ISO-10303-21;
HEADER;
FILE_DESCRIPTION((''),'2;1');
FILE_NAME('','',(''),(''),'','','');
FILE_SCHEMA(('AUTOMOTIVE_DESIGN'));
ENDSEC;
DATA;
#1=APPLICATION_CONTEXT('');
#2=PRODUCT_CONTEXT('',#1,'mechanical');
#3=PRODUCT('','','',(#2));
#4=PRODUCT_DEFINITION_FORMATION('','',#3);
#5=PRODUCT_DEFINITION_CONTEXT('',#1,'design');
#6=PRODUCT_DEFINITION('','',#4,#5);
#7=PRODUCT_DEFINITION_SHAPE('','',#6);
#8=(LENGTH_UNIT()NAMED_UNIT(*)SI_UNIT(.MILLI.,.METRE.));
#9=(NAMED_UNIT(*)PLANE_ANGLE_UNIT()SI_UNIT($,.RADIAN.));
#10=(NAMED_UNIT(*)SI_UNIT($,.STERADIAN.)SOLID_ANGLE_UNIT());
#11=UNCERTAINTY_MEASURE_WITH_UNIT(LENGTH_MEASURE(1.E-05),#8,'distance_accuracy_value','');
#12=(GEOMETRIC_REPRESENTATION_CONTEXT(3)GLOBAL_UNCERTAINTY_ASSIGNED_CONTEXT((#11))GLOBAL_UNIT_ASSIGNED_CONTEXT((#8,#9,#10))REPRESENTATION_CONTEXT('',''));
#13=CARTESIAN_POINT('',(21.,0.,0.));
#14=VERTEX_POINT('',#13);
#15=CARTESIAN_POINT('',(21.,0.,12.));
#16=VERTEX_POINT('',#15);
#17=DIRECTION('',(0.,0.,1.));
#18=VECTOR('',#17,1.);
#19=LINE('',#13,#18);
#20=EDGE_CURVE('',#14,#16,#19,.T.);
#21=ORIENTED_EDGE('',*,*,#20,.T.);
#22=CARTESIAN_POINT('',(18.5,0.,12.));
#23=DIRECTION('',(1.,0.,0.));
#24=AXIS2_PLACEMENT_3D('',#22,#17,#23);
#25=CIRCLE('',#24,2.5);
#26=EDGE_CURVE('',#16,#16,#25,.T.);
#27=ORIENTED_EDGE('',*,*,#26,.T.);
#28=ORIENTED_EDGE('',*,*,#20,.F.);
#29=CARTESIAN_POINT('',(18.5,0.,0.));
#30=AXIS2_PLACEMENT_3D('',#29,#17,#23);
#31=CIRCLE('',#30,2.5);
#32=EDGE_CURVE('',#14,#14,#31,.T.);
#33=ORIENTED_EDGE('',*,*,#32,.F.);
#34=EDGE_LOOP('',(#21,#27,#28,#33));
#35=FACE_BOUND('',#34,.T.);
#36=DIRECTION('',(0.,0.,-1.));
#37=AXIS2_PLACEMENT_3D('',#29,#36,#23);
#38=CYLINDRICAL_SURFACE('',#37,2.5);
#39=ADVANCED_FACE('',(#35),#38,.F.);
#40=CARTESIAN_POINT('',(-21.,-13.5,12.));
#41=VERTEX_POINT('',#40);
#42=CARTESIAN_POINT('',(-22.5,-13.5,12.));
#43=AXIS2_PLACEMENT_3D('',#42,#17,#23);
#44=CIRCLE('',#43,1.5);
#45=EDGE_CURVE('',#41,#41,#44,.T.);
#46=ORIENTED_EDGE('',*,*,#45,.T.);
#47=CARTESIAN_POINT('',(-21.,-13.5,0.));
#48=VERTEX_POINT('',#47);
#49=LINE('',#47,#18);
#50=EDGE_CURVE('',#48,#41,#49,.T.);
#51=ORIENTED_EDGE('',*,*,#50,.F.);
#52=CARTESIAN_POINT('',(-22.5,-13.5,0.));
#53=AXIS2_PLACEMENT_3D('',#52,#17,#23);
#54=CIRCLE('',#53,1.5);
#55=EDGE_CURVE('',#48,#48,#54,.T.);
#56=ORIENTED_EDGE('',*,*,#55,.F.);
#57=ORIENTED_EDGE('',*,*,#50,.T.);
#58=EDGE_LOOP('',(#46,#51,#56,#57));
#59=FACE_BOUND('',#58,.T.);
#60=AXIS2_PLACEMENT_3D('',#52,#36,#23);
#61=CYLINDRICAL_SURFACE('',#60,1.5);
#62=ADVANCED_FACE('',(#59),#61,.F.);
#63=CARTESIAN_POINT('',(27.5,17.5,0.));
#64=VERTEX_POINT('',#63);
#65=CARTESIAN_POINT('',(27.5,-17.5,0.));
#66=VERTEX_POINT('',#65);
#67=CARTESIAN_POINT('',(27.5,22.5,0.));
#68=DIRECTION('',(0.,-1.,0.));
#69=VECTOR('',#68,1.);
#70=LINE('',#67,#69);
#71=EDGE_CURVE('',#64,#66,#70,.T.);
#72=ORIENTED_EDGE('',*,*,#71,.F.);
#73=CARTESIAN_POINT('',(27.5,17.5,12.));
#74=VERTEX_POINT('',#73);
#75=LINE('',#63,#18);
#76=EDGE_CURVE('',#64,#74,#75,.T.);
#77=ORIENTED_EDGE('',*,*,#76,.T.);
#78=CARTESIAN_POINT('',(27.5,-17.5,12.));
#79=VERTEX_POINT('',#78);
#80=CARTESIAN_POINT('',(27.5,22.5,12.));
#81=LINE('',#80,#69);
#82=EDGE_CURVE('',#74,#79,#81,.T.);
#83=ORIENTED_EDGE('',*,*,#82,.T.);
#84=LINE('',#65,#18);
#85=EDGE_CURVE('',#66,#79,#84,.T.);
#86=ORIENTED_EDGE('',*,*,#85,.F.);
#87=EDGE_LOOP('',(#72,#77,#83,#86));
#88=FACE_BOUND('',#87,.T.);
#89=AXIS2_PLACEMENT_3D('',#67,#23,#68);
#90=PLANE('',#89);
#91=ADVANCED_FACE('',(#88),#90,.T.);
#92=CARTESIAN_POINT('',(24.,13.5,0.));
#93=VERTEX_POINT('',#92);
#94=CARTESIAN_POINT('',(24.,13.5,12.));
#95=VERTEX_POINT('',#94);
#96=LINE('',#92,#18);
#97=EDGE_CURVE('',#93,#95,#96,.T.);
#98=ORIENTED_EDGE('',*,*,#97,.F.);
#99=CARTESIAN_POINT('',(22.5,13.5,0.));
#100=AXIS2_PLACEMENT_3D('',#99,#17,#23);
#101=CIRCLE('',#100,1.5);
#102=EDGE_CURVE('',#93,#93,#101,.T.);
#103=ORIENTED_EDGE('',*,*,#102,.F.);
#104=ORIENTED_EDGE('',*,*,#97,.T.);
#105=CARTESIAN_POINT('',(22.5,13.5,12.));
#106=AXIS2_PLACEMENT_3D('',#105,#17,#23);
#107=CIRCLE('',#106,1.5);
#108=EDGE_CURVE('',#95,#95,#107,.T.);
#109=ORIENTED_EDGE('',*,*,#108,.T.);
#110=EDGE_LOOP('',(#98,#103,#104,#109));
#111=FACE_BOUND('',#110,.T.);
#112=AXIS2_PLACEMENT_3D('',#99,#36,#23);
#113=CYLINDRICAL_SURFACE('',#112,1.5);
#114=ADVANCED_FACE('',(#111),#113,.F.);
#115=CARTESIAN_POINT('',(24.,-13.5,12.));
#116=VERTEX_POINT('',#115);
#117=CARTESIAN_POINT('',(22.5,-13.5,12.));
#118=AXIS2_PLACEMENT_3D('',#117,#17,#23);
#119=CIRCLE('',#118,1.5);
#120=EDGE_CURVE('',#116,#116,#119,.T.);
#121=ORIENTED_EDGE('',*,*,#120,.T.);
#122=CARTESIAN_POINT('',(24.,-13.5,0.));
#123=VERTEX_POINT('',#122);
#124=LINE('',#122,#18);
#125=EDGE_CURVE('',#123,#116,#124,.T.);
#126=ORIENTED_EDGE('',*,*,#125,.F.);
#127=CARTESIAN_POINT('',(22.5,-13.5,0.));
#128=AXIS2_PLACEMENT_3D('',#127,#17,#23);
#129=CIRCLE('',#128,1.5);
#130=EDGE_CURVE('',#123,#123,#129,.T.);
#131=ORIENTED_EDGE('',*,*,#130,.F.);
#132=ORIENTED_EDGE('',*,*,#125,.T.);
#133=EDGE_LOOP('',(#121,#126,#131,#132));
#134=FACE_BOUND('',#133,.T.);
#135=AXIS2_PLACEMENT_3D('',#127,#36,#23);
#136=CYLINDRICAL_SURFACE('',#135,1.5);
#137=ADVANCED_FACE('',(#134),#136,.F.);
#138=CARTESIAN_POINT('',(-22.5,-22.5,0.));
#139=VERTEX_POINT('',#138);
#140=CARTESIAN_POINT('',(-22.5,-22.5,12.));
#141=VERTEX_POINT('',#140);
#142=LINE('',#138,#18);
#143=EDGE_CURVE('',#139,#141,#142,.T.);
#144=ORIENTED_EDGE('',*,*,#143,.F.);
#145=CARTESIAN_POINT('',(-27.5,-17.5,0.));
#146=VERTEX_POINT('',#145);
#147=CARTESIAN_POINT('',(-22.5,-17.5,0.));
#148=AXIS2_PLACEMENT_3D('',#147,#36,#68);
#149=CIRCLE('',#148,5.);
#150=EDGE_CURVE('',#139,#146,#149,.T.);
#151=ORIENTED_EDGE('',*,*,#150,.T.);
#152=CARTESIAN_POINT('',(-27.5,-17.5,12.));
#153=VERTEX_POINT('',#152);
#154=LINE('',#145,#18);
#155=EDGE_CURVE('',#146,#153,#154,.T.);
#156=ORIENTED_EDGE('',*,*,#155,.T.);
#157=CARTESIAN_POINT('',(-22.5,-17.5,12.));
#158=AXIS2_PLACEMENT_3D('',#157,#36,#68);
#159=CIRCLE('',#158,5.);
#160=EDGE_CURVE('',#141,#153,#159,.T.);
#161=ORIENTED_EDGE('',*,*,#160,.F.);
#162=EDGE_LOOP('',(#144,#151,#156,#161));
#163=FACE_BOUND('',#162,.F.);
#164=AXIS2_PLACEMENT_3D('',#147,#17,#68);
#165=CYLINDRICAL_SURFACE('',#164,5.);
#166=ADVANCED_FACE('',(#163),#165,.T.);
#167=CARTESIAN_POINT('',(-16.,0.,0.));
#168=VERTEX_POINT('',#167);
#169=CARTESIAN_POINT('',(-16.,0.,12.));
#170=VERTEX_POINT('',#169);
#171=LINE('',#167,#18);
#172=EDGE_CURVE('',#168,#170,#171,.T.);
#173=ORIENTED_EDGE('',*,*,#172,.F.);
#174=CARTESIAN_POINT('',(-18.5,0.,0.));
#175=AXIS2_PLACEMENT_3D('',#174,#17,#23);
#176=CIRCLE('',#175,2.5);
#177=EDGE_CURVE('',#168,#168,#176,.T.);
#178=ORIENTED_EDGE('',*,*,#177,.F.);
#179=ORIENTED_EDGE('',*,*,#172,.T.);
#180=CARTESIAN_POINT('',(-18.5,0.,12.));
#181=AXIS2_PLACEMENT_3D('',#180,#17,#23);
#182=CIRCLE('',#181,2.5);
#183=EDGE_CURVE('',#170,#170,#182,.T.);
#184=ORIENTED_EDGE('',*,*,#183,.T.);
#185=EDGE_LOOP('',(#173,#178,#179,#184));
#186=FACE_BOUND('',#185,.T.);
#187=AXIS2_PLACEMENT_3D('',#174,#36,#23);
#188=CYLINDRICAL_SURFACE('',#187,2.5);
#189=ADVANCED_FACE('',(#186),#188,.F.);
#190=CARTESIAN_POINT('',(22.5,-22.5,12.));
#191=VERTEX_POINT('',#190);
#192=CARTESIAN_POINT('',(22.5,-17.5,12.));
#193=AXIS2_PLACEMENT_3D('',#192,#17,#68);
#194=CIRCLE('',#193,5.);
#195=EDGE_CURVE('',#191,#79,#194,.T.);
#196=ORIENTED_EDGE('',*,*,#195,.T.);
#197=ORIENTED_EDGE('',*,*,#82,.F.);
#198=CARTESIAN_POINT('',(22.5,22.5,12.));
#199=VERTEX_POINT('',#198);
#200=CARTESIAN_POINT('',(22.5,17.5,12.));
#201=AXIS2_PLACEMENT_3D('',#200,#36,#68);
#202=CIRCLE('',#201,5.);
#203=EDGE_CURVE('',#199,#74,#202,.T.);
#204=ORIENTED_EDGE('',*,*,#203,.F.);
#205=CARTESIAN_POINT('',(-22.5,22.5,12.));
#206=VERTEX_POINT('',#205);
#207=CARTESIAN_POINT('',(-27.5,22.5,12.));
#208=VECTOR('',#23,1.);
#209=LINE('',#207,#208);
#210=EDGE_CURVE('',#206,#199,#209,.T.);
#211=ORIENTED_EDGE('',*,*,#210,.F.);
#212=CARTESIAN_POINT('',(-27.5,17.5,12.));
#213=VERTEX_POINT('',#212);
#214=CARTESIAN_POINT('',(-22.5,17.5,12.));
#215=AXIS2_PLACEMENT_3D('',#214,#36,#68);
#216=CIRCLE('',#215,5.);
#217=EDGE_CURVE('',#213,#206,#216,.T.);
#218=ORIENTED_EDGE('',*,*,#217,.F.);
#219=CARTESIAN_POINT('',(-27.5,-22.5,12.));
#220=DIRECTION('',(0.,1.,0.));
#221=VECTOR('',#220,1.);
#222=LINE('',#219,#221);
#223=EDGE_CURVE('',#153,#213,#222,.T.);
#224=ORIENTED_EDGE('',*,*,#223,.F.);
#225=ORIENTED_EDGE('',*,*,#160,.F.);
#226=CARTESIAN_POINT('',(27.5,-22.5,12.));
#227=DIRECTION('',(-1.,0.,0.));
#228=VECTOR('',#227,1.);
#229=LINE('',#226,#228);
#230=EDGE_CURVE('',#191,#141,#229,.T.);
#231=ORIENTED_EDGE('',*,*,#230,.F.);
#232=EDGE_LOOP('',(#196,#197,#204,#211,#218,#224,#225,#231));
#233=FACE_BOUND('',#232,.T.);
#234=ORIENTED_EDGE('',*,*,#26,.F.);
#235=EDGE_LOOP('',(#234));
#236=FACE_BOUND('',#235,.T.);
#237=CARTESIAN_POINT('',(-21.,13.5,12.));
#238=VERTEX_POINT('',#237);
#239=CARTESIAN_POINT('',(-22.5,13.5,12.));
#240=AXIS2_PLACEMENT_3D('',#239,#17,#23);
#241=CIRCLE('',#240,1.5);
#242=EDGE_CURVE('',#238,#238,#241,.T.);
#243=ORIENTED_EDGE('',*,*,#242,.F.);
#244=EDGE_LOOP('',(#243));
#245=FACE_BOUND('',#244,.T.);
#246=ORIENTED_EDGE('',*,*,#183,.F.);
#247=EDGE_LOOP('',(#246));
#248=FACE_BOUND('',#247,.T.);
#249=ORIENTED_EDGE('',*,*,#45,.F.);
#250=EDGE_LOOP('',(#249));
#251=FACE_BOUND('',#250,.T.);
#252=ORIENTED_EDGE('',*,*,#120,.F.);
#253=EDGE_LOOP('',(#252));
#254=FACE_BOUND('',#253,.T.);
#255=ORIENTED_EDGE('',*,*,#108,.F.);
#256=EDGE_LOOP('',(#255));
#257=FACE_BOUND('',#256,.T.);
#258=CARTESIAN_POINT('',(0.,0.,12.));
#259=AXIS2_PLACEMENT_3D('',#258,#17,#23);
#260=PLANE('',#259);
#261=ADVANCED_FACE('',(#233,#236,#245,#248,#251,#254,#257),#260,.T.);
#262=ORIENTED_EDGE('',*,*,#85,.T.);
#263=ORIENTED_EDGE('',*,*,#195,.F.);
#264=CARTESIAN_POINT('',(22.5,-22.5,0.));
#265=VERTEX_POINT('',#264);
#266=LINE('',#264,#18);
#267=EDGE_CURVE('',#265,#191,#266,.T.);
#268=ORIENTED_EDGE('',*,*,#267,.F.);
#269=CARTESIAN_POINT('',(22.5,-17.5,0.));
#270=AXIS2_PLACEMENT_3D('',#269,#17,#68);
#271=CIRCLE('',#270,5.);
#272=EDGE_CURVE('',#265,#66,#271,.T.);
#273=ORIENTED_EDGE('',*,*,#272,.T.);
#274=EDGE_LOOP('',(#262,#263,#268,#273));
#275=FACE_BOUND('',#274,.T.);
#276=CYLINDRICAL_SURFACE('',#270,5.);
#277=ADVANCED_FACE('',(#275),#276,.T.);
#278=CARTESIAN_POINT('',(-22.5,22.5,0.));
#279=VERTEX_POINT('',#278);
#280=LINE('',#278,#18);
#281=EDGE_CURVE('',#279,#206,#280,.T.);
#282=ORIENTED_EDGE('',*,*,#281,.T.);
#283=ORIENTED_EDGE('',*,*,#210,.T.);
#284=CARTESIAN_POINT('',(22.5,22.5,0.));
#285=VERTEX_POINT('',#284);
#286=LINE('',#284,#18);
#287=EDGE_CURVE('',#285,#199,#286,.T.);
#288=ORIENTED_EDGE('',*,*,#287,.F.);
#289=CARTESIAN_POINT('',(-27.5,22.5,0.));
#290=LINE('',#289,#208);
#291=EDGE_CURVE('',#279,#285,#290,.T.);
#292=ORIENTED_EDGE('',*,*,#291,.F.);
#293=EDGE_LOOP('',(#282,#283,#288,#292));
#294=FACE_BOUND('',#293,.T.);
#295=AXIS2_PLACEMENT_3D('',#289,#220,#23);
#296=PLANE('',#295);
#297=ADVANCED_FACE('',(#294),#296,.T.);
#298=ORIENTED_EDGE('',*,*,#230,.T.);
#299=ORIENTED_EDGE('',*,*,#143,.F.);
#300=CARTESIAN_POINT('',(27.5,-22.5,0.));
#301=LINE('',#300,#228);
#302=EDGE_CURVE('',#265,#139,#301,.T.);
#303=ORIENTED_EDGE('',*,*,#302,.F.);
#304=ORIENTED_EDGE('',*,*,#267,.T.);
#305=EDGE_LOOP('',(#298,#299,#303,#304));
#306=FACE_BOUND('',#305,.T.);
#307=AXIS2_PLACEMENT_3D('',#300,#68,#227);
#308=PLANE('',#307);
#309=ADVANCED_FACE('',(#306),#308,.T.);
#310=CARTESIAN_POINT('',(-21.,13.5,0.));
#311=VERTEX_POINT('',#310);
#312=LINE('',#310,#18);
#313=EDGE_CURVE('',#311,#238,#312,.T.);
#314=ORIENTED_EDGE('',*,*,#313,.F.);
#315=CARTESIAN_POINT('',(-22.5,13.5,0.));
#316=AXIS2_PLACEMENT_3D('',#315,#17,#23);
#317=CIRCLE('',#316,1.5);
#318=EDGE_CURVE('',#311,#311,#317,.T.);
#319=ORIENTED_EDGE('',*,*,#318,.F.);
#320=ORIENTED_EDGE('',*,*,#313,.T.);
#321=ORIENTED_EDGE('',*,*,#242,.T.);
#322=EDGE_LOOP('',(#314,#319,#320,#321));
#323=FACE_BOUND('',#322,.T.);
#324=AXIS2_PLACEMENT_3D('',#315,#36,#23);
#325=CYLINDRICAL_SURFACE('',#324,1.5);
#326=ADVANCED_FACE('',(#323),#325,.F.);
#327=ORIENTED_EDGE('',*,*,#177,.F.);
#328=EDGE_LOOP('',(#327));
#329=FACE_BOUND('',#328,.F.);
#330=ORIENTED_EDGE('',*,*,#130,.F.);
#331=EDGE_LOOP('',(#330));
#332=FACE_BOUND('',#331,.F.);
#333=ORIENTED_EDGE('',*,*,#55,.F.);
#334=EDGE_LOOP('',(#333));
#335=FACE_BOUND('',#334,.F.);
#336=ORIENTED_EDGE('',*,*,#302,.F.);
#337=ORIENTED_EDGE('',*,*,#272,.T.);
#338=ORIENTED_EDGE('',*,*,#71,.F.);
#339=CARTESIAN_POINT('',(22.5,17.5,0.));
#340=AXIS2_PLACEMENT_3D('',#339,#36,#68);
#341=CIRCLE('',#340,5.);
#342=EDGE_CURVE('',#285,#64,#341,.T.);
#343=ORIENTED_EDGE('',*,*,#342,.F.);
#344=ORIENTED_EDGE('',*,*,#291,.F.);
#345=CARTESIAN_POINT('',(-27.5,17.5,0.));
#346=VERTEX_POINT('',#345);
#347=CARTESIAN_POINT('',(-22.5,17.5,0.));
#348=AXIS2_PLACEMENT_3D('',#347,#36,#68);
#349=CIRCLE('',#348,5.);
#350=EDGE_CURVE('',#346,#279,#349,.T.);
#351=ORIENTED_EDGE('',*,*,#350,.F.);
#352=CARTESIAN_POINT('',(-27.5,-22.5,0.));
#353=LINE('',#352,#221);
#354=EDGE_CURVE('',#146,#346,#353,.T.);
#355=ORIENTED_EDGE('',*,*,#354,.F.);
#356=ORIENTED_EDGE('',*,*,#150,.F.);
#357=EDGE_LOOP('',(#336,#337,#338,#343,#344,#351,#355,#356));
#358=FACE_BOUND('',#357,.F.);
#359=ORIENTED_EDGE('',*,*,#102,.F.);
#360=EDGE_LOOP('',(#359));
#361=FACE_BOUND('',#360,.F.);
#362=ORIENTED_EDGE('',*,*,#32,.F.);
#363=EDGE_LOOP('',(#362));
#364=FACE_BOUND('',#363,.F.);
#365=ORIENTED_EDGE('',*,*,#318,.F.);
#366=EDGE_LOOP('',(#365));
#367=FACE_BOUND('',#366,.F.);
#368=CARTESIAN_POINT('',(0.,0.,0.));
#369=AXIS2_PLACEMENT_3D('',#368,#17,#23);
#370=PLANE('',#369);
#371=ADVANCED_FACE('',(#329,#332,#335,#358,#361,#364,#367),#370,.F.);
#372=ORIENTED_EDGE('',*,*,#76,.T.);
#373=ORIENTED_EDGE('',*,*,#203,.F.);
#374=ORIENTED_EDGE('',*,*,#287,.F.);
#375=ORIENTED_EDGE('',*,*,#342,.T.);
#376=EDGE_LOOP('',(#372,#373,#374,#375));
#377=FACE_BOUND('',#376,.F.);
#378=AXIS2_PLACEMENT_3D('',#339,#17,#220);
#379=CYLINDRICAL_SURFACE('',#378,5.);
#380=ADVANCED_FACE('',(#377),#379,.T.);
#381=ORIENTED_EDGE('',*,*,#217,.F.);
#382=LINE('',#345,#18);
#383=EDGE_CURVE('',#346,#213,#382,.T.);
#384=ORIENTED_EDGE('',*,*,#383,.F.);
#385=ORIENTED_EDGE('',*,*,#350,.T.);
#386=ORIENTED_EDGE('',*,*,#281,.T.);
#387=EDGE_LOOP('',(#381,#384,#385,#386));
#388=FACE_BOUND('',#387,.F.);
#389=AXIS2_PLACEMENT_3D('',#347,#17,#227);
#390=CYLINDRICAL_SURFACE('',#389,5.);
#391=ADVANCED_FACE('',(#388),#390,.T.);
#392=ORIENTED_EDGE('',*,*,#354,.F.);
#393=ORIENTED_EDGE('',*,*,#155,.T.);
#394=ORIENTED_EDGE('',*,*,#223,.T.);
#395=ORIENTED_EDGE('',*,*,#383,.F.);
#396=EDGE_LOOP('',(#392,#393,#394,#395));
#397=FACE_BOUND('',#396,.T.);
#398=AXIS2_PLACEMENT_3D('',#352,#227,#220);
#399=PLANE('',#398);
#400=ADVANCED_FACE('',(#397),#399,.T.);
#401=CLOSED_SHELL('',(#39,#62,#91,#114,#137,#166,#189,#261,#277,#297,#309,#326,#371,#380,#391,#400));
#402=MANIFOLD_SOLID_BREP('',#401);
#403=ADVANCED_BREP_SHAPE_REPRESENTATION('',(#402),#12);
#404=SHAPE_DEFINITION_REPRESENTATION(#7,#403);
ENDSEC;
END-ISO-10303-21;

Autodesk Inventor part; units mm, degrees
ref_plane "YZ Plane" through (0, 0, 0) normal (1, 0, 0) x (0, 1, 0)
ref_plane "XZ Plane" through (0, 0, 0) normal (0, 1, 0) x (-1, 0, 0)
ref_plane "XY Plane" through (0, 0, 0) normal (0, 0, 1) x (1, 0, 0)
sketch "Boceto1" plane through (0, 0, 0) normal (0, 0, 1) x (1, 0, 0)
  circle A0 centre (-22.5, 13.5) radius 1.5
  circle A1 centre (22.5, 13.5) radius 1.5
  line L0 (-22.5, 13.5) -> (22.5, 13.5) construction
  line L1 (-22.5, 13.5) -> (22.5, 13.5) construction
  line L2 (0, 13.5) -> (0, 0) construction
  line L3 (27.5, -22.5) -> (-27.5, -22.5)
  line L4 (-27.5, -22.5) -> (-27.5, 22.5)
  line L5 (-27.5, 22.5) -> (27.5, 22.5)
  line L6 (27.5, 22.5) -> (27.5, -22.5)
  line L7 (27.5, -22.5) -> (-27.5, 22.5) construction
  line L8 (-27.5, -22.5) -> (27.5, 22.5) construction
  line L9 (-27.5, 0) -> (27.5, 0) construction
  circle A2 centre (-22.5, -13.5) radius 1.5
  circle A3 centre (22.5, -13.5) radius 1.5
  circle A4 centre (18.5, 0) radius 2.5
  circle A5 centre (-18.5, 0) radius 2.5
  dimension "d2" = 3
  dimension "d3" = 3
  dimension "d10" = 45
  dimension "d11" = 55
  dimension "d12" = 45
  dimension "d15" = 13.5
  dimension "d17" = 18.5
  dimension "d18" = 5
extrude "Extrusión1" add sketch "Boceto1" along normal blind 12
fillet "Empalme1" radius 5 4 edges at (27.5, 22.5, 6) (27.5, -22.5, 6) (-27.5, -22.5, 6) (-27.5, 22.5, 6)
properties part number "ImpresionSoporte" material "Plástico ABS"
